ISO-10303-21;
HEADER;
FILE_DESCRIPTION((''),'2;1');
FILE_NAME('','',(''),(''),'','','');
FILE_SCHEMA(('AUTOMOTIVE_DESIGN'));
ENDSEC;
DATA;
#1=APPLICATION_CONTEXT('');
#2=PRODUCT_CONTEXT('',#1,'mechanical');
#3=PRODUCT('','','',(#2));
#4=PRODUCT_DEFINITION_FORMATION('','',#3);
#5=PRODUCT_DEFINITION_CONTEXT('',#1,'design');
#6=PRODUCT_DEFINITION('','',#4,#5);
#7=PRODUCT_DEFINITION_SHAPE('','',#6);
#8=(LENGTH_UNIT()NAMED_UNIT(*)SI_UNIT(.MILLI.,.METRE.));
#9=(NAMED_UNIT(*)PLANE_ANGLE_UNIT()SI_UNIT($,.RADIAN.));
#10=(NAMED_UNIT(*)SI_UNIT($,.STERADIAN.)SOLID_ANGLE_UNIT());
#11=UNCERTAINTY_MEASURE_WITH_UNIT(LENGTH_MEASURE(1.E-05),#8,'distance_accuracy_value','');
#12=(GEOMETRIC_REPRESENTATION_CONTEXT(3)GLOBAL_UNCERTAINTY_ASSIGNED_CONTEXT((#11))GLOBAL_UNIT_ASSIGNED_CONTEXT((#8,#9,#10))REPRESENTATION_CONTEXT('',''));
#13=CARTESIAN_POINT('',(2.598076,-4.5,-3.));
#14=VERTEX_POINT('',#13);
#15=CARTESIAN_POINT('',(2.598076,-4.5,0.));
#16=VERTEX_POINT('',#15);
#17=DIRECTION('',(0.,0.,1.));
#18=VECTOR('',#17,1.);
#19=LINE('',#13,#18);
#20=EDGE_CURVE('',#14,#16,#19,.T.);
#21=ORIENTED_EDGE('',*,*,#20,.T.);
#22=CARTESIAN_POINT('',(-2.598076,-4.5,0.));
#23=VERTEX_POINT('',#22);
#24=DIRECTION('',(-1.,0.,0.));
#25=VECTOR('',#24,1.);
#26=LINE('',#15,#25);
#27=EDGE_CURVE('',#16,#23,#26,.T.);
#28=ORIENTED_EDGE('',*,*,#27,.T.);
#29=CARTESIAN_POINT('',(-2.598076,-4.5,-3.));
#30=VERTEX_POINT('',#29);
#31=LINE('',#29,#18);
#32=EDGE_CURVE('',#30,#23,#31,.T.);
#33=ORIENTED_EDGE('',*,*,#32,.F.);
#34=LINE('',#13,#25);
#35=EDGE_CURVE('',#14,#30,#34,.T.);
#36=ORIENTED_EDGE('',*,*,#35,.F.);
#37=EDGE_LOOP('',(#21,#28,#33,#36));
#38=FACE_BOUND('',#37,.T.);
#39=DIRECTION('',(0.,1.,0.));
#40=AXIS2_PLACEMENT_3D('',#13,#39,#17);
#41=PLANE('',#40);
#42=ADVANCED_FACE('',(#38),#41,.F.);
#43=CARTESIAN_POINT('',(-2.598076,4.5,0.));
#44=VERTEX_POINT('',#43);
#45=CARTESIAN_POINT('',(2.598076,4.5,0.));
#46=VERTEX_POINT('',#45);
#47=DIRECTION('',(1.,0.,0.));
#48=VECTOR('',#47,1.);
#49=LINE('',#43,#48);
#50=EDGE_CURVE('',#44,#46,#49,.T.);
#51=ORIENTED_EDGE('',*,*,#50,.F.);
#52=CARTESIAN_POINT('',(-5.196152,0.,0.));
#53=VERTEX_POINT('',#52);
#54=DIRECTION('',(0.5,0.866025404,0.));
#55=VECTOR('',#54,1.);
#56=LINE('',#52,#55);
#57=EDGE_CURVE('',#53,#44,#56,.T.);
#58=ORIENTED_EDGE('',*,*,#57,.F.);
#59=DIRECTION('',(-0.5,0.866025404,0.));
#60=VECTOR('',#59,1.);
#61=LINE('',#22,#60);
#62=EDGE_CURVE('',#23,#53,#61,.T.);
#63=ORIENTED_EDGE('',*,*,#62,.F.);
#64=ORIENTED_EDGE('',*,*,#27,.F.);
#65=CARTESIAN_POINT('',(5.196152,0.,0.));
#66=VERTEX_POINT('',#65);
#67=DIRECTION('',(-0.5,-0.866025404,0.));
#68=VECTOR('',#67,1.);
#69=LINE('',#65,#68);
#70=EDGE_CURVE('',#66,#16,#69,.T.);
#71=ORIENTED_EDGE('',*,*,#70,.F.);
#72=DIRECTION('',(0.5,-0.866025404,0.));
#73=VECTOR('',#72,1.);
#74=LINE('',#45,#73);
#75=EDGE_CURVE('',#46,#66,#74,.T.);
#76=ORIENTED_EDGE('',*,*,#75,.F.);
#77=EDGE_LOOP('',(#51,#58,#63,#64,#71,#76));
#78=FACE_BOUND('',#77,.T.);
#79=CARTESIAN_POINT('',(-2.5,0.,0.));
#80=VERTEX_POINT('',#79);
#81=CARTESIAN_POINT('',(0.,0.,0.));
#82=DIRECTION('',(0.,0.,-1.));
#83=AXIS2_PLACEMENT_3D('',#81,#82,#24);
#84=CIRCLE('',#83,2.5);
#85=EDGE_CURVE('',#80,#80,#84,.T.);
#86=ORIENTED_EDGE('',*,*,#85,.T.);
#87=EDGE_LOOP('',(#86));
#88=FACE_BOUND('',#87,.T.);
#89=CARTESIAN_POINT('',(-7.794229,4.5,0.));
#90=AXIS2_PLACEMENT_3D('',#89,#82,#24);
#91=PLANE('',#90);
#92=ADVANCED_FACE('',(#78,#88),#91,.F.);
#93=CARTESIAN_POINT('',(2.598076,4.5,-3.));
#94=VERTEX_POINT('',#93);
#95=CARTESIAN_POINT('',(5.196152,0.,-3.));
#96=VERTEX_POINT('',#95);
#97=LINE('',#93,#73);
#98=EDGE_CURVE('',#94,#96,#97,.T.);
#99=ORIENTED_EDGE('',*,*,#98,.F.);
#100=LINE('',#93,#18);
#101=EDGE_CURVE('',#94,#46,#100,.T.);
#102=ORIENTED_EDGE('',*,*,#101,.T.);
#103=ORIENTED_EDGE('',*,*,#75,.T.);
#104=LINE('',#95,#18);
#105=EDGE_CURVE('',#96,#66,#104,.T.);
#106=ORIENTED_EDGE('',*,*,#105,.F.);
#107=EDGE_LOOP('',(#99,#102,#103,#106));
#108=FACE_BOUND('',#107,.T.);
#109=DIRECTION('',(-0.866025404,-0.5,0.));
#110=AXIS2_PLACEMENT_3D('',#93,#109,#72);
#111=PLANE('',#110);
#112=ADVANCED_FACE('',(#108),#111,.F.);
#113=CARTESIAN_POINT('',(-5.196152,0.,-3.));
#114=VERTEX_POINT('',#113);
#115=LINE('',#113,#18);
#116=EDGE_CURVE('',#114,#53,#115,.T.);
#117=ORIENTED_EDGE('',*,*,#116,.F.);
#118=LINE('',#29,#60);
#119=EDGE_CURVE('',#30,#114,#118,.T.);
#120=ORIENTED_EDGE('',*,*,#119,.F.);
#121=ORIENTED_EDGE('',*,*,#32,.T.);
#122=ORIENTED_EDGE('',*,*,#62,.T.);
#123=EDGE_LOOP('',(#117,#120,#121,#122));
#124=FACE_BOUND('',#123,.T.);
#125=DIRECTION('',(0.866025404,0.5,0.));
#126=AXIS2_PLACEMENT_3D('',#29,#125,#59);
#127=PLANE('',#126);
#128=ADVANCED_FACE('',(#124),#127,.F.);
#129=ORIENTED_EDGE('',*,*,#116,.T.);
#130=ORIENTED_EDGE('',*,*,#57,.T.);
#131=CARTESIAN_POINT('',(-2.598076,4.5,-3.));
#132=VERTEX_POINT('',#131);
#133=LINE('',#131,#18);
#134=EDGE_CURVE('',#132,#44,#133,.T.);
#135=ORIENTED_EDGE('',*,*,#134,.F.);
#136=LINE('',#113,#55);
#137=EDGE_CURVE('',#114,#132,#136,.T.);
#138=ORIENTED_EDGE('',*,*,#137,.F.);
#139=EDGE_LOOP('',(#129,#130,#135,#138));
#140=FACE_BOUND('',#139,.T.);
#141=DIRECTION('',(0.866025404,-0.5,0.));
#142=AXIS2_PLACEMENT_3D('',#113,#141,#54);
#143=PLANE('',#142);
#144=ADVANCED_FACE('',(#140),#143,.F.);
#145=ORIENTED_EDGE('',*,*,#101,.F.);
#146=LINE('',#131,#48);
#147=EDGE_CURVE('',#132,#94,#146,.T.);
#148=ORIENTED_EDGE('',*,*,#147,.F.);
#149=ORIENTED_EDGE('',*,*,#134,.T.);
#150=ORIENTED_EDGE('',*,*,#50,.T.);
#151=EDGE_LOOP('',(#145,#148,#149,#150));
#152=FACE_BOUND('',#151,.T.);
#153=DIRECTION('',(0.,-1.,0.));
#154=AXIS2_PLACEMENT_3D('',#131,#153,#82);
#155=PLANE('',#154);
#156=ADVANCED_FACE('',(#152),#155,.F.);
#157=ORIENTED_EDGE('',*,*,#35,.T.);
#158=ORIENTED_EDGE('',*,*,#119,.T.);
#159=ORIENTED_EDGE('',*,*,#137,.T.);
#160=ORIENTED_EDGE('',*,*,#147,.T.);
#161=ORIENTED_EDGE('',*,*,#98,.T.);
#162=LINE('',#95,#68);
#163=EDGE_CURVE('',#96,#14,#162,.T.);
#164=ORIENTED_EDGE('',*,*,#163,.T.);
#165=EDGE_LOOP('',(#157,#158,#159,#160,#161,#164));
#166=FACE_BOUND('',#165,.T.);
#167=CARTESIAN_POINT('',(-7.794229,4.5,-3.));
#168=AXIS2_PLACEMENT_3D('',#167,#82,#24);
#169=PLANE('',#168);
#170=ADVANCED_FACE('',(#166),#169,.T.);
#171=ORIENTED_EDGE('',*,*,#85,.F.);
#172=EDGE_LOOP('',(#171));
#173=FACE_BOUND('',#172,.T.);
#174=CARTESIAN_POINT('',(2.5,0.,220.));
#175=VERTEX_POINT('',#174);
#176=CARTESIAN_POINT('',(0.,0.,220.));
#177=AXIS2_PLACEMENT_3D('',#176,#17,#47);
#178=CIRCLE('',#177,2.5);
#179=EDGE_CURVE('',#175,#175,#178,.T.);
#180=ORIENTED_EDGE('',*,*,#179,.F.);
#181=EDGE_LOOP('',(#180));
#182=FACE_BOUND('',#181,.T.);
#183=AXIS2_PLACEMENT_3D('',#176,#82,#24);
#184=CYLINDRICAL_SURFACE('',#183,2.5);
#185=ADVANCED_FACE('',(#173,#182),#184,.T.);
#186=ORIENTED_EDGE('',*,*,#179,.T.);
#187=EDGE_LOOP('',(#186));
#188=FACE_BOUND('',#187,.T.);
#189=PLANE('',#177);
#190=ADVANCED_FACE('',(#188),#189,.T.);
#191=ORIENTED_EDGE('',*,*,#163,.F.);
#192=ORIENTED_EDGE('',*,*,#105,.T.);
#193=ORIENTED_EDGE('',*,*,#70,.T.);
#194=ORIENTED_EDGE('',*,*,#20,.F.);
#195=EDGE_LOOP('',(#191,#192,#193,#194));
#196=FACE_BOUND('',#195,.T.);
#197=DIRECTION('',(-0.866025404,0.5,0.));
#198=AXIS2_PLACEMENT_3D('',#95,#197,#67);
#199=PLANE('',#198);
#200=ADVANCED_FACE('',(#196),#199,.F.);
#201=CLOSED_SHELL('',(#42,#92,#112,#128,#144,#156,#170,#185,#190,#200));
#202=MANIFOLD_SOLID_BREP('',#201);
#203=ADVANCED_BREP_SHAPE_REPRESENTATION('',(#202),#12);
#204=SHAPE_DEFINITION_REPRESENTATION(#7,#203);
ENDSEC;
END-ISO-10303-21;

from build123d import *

# Parameters (mm, degrees)
ESBO_O1_R       = 2.5
EXTRUS_O1_DEPTH = 220
EXTRUS_O2_DEPTH = 3


with BuildPart() as part:
    # Esboço1 → Extrusão1 (new body)
    with BuildSketch(Plane.XY):
        Circle(ESBO_O1_R)
    extrude(amount=EXTRUS_O1_DEPTH)

    # Esboço2 → Extrusão2 (add)
    with BuildSketch(Plane(origin=(0, 0, 0), x_dir=(-1, 0, 0), z_dir=(0, 0, -1))):
        Polygon((5.196152423, 0), (2.598076211, 4.5), (-2.598076211, 4.5), (-5.196152423, 0), (-2.598076211, -4.5), (2.598076211, -4.5), align=None)
    extrude(amount=EXTRUS_O2_DEPTH)


solid = part.part
